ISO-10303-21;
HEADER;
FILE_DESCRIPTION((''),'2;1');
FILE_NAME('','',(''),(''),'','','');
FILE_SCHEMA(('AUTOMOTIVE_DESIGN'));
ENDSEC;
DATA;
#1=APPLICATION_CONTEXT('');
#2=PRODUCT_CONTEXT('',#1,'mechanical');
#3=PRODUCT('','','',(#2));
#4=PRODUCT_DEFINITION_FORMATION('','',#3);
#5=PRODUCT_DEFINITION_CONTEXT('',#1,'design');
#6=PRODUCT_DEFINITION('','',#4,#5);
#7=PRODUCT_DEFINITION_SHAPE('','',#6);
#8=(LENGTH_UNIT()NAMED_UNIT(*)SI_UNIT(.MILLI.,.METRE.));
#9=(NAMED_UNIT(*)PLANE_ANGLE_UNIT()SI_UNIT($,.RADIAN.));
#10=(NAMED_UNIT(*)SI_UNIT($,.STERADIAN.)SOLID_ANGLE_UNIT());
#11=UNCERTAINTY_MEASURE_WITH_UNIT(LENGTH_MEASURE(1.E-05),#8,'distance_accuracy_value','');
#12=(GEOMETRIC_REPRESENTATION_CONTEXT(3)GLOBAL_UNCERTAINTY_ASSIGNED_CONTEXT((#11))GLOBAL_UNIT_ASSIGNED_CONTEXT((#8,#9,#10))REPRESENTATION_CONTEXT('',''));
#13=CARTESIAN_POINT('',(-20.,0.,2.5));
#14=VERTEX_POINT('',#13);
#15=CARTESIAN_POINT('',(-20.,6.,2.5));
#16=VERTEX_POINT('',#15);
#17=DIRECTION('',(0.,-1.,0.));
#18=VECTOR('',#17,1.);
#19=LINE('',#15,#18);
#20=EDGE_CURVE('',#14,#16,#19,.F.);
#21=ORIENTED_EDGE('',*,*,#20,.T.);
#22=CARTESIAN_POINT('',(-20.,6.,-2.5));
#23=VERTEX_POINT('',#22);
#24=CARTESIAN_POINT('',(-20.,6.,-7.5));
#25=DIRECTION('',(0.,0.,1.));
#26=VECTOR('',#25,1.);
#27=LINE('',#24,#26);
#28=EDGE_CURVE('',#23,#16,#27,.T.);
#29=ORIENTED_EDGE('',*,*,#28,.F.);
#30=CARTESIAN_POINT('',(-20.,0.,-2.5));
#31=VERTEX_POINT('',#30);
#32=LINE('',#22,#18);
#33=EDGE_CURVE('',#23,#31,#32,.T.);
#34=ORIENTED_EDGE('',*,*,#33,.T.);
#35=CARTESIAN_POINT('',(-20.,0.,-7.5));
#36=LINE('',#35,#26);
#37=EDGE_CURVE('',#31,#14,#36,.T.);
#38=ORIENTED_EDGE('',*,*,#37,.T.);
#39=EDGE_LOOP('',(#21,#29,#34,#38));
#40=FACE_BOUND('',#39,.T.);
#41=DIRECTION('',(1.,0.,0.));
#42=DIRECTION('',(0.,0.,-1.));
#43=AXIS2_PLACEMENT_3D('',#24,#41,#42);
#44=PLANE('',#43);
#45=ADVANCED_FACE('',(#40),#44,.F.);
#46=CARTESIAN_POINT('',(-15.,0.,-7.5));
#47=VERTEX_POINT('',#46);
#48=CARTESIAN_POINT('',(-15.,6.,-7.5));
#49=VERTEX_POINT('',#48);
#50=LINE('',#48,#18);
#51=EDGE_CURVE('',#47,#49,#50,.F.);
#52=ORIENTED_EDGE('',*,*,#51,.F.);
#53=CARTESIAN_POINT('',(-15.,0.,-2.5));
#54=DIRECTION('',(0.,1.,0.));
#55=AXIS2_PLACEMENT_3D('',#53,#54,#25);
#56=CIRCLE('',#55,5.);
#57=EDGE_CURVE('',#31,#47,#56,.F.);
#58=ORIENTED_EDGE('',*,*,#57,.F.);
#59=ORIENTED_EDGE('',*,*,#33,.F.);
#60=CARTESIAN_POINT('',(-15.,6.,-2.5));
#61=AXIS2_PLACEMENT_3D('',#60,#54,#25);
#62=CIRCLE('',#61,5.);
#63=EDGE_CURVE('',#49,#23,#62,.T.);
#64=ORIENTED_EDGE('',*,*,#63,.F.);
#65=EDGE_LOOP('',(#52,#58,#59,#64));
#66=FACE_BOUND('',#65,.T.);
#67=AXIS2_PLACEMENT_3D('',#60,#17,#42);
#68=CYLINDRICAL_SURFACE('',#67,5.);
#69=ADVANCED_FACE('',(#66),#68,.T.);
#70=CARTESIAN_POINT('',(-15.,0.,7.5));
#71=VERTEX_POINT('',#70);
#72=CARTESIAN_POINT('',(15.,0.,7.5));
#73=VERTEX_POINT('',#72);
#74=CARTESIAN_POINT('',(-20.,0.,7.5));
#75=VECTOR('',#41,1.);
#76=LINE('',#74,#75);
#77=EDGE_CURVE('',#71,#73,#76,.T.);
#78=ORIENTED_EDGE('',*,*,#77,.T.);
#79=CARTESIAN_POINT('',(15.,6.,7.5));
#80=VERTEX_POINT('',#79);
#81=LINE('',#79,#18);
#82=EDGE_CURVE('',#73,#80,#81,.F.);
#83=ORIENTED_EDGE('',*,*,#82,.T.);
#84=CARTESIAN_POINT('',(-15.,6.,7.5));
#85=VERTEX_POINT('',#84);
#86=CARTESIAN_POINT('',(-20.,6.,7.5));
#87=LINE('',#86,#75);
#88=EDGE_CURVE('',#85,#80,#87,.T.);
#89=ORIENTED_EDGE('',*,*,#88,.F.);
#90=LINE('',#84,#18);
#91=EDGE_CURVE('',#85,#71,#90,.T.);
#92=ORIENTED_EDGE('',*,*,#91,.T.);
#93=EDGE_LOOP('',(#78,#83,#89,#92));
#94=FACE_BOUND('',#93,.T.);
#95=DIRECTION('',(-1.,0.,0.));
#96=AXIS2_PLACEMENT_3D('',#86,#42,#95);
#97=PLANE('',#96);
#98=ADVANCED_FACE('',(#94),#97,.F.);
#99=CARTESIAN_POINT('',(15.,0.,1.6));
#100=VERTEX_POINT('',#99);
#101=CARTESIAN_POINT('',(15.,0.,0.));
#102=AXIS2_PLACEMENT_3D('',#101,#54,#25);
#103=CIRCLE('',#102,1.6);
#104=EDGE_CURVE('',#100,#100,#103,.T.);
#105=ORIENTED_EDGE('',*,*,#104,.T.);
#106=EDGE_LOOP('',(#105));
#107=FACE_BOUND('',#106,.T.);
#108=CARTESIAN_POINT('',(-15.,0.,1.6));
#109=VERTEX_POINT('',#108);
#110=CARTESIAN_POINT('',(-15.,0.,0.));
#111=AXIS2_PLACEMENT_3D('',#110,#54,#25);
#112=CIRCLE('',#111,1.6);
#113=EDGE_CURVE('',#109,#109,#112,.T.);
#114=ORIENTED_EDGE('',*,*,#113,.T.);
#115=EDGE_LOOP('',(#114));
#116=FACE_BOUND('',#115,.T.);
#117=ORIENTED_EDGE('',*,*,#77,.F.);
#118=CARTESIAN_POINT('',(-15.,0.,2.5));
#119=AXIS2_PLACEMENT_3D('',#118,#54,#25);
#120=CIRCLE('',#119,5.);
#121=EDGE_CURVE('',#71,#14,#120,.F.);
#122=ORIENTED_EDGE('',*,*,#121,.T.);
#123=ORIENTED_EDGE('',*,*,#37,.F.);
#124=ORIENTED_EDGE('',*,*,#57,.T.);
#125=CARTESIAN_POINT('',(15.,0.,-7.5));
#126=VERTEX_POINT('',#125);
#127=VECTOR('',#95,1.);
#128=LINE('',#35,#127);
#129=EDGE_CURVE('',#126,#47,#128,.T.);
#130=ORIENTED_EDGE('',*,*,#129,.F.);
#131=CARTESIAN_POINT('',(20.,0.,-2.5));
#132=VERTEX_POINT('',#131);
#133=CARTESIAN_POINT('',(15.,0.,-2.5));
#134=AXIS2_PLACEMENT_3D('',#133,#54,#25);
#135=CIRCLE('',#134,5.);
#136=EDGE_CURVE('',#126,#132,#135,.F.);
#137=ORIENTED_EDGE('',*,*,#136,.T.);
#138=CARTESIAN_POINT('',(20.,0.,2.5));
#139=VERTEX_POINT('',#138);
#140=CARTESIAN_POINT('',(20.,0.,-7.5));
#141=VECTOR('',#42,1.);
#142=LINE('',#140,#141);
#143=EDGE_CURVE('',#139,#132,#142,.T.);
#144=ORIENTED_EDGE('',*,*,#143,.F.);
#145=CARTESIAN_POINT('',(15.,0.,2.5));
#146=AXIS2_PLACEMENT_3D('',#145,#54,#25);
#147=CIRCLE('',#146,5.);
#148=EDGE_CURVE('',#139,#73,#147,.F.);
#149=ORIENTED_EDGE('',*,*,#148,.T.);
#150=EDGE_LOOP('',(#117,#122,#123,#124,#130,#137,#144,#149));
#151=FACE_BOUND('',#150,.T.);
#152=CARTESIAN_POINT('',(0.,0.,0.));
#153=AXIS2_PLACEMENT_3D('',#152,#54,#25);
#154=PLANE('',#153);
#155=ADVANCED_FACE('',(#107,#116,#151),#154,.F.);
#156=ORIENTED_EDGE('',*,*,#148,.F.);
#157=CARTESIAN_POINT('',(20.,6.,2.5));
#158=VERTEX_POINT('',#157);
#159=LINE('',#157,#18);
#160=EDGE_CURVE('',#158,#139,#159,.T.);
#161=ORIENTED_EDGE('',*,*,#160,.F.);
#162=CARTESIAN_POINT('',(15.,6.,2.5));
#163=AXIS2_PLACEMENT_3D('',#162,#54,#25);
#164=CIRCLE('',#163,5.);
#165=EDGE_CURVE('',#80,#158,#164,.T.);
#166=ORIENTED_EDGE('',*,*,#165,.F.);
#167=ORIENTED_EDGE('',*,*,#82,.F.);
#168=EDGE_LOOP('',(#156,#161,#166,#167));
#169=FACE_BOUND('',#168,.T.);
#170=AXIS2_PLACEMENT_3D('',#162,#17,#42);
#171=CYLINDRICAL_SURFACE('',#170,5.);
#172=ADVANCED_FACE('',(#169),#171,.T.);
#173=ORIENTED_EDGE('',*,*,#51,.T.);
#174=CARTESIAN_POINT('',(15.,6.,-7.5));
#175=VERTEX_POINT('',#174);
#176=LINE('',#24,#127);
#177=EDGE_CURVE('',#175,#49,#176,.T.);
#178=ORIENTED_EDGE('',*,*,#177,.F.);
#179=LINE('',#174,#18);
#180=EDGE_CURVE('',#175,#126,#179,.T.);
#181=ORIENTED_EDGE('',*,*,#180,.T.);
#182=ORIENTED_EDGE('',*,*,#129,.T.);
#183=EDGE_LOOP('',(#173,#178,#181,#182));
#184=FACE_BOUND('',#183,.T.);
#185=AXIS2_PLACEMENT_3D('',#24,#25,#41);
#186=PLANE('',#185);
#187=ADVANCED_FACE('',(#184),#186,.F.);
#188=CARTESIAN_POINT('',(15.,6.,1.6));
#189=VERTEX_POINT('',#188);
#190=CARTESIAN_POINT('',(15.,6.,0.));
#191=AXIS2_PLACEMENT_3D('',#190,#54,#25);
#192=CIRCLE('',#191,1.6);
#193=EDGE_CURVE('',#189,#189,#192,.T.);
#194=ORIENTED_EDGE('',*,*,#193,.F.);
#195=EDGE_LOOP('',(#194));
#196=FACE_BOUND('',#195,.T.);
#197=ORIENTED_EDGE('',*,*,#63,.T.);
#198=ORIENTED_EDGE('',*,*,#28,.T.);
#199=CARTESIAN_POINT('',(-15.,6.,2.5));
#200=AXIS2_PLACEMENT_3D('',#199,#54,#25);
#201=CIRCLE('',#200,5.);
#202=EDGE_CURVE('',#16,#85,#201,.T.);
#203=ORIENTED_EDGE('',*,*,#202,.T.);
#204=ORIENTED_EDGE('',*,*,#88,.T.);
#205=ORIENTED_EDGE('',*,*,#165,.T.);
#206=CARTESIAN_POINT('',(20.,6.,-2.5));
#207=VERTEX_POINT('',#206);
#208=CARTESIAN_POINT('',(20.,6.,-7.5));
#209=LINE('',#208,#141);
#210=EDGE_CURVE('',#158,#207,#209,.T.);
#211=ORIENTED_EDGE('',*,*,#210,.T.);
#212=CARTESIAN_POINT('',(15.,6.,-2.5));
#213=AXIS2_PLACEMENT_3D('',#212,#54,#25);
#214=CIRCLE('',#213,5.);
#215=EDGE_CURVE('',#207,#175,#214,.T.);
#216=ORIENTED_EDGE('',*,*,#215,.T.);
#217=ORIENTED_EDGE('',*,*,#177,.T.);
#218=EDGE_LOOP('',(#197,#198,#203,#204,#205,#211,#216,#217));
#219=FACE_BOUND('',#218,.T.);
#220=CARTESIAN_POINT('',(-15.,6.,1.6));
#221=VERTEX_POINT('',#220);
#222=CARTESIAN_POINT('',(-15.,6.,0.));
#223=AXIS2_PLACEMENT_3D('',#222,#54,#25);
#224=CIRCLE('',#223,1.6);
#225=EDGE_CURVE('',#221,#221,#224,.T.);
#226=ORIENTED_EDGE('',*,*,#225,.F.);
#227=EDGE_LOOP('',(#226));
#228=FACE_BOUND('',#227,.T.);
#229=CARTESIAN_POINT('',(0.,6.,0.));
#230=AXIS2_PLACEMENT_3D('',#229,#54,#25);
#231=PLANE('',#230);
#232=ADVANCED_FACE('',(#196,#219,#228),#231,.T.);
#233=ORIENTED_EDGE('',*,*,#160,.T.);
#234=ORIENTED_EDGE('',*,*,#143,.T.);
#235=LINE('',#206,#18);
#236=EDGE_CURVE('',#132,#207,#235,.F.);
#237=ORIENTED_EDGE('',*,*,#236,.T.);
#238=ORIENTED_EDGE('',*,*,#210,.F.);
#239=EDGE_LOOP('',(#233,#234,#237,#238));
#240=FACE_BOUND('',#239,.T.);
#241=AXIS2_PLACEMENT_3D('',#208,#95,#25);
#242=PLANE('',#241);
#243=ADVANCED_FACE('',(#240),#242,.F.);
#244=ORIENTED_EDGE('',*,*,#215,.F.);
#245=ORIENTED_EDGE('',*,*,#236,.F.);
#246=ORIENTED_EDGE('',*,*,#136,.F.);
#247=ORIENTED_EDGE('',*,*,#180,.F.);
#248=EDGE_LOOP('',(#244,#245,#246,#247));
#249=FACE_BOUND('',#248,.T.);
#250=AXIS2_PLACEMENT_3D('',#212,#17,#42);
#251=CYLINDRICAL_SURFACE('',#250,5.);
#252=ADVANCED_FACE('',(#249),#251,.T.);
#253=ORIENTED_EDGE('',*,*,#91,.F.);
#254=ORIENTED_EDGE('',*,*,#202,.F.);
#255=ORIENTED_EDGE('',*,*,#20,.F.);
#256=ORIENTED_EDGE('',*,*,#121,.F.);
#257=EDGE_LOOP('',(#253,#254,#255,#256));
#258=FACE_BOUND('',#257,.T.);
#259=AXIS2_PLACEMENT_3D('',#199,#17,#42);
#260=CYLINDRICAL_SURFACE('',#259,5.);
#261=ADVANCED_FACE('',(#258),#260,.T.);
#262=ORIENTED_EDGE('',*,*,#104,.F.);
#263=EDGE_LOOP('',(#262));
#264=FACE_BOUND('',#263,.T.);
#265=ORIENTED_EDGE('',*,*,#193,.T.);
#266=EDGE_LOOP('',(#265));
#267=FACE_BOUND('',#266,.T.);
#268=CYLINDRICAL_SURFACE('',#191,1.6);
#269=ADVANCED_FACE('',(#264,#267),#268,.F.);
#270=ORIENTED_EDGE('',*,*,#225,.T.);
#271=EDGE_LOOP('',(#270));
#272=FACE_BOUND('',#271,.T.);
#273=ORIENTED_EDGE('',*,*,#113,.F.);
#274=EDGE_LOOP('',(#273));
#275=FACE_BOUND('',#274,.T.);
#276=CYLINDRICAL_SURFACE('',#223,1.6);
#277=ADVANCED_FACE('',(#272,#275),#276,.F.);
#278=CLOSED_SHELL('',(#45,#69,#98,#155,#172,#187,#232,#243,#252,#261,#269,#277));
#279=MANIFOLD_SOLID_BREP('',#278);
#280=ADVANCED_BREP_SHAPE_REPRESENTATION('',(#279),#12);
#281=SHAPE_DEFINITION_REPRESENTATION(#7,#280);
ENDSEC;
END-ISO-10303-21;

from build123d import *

# Parameters (mm, degrees)
SKETCH1_W            = 40
SKETCH1_H            = 15
BOSS_EXTRUDE1_DEPTH  = 6
M3_CLEARANCE_HOLE1_D = 3.2
FILLET1_R            = 5


with BuildPart() as part:
    # Sketch1 → Boss-Extrude1 (new body)
    with BuildSketch(Plane(origin=(0, 0, 0), x_dir=(1, 0, 0), z_dir=(0, 1, 0))):
        Rectangle(SKETCH1_W, SKETCH1_H)
    extrude(amount=BOSS_EXTRUDE1_DEPTH)

    # M3 Clearance Hole1 (through all)
    with Locations(Plane(origin=(0, 6, 0), x_dir=(1, 0, 0), z_dir=(0, 1, 0))):
        with Locations((-15, 0), (15, 0)):
            Hole(M3_CLEARANCE_HOLE1_D / 2)

    # Fillet1
    fillet1_edges = [part.edges().sort_by_distance(p)[0] for p in [
        (20, 3, 7.5),
        (-20, 3, 7.5),
        (-20, 3, -7.5),
        (20, 3, -7.5),
    ]]
    fillet(fillet1_edges, radius=FILLET1_R)


solid = part.part
